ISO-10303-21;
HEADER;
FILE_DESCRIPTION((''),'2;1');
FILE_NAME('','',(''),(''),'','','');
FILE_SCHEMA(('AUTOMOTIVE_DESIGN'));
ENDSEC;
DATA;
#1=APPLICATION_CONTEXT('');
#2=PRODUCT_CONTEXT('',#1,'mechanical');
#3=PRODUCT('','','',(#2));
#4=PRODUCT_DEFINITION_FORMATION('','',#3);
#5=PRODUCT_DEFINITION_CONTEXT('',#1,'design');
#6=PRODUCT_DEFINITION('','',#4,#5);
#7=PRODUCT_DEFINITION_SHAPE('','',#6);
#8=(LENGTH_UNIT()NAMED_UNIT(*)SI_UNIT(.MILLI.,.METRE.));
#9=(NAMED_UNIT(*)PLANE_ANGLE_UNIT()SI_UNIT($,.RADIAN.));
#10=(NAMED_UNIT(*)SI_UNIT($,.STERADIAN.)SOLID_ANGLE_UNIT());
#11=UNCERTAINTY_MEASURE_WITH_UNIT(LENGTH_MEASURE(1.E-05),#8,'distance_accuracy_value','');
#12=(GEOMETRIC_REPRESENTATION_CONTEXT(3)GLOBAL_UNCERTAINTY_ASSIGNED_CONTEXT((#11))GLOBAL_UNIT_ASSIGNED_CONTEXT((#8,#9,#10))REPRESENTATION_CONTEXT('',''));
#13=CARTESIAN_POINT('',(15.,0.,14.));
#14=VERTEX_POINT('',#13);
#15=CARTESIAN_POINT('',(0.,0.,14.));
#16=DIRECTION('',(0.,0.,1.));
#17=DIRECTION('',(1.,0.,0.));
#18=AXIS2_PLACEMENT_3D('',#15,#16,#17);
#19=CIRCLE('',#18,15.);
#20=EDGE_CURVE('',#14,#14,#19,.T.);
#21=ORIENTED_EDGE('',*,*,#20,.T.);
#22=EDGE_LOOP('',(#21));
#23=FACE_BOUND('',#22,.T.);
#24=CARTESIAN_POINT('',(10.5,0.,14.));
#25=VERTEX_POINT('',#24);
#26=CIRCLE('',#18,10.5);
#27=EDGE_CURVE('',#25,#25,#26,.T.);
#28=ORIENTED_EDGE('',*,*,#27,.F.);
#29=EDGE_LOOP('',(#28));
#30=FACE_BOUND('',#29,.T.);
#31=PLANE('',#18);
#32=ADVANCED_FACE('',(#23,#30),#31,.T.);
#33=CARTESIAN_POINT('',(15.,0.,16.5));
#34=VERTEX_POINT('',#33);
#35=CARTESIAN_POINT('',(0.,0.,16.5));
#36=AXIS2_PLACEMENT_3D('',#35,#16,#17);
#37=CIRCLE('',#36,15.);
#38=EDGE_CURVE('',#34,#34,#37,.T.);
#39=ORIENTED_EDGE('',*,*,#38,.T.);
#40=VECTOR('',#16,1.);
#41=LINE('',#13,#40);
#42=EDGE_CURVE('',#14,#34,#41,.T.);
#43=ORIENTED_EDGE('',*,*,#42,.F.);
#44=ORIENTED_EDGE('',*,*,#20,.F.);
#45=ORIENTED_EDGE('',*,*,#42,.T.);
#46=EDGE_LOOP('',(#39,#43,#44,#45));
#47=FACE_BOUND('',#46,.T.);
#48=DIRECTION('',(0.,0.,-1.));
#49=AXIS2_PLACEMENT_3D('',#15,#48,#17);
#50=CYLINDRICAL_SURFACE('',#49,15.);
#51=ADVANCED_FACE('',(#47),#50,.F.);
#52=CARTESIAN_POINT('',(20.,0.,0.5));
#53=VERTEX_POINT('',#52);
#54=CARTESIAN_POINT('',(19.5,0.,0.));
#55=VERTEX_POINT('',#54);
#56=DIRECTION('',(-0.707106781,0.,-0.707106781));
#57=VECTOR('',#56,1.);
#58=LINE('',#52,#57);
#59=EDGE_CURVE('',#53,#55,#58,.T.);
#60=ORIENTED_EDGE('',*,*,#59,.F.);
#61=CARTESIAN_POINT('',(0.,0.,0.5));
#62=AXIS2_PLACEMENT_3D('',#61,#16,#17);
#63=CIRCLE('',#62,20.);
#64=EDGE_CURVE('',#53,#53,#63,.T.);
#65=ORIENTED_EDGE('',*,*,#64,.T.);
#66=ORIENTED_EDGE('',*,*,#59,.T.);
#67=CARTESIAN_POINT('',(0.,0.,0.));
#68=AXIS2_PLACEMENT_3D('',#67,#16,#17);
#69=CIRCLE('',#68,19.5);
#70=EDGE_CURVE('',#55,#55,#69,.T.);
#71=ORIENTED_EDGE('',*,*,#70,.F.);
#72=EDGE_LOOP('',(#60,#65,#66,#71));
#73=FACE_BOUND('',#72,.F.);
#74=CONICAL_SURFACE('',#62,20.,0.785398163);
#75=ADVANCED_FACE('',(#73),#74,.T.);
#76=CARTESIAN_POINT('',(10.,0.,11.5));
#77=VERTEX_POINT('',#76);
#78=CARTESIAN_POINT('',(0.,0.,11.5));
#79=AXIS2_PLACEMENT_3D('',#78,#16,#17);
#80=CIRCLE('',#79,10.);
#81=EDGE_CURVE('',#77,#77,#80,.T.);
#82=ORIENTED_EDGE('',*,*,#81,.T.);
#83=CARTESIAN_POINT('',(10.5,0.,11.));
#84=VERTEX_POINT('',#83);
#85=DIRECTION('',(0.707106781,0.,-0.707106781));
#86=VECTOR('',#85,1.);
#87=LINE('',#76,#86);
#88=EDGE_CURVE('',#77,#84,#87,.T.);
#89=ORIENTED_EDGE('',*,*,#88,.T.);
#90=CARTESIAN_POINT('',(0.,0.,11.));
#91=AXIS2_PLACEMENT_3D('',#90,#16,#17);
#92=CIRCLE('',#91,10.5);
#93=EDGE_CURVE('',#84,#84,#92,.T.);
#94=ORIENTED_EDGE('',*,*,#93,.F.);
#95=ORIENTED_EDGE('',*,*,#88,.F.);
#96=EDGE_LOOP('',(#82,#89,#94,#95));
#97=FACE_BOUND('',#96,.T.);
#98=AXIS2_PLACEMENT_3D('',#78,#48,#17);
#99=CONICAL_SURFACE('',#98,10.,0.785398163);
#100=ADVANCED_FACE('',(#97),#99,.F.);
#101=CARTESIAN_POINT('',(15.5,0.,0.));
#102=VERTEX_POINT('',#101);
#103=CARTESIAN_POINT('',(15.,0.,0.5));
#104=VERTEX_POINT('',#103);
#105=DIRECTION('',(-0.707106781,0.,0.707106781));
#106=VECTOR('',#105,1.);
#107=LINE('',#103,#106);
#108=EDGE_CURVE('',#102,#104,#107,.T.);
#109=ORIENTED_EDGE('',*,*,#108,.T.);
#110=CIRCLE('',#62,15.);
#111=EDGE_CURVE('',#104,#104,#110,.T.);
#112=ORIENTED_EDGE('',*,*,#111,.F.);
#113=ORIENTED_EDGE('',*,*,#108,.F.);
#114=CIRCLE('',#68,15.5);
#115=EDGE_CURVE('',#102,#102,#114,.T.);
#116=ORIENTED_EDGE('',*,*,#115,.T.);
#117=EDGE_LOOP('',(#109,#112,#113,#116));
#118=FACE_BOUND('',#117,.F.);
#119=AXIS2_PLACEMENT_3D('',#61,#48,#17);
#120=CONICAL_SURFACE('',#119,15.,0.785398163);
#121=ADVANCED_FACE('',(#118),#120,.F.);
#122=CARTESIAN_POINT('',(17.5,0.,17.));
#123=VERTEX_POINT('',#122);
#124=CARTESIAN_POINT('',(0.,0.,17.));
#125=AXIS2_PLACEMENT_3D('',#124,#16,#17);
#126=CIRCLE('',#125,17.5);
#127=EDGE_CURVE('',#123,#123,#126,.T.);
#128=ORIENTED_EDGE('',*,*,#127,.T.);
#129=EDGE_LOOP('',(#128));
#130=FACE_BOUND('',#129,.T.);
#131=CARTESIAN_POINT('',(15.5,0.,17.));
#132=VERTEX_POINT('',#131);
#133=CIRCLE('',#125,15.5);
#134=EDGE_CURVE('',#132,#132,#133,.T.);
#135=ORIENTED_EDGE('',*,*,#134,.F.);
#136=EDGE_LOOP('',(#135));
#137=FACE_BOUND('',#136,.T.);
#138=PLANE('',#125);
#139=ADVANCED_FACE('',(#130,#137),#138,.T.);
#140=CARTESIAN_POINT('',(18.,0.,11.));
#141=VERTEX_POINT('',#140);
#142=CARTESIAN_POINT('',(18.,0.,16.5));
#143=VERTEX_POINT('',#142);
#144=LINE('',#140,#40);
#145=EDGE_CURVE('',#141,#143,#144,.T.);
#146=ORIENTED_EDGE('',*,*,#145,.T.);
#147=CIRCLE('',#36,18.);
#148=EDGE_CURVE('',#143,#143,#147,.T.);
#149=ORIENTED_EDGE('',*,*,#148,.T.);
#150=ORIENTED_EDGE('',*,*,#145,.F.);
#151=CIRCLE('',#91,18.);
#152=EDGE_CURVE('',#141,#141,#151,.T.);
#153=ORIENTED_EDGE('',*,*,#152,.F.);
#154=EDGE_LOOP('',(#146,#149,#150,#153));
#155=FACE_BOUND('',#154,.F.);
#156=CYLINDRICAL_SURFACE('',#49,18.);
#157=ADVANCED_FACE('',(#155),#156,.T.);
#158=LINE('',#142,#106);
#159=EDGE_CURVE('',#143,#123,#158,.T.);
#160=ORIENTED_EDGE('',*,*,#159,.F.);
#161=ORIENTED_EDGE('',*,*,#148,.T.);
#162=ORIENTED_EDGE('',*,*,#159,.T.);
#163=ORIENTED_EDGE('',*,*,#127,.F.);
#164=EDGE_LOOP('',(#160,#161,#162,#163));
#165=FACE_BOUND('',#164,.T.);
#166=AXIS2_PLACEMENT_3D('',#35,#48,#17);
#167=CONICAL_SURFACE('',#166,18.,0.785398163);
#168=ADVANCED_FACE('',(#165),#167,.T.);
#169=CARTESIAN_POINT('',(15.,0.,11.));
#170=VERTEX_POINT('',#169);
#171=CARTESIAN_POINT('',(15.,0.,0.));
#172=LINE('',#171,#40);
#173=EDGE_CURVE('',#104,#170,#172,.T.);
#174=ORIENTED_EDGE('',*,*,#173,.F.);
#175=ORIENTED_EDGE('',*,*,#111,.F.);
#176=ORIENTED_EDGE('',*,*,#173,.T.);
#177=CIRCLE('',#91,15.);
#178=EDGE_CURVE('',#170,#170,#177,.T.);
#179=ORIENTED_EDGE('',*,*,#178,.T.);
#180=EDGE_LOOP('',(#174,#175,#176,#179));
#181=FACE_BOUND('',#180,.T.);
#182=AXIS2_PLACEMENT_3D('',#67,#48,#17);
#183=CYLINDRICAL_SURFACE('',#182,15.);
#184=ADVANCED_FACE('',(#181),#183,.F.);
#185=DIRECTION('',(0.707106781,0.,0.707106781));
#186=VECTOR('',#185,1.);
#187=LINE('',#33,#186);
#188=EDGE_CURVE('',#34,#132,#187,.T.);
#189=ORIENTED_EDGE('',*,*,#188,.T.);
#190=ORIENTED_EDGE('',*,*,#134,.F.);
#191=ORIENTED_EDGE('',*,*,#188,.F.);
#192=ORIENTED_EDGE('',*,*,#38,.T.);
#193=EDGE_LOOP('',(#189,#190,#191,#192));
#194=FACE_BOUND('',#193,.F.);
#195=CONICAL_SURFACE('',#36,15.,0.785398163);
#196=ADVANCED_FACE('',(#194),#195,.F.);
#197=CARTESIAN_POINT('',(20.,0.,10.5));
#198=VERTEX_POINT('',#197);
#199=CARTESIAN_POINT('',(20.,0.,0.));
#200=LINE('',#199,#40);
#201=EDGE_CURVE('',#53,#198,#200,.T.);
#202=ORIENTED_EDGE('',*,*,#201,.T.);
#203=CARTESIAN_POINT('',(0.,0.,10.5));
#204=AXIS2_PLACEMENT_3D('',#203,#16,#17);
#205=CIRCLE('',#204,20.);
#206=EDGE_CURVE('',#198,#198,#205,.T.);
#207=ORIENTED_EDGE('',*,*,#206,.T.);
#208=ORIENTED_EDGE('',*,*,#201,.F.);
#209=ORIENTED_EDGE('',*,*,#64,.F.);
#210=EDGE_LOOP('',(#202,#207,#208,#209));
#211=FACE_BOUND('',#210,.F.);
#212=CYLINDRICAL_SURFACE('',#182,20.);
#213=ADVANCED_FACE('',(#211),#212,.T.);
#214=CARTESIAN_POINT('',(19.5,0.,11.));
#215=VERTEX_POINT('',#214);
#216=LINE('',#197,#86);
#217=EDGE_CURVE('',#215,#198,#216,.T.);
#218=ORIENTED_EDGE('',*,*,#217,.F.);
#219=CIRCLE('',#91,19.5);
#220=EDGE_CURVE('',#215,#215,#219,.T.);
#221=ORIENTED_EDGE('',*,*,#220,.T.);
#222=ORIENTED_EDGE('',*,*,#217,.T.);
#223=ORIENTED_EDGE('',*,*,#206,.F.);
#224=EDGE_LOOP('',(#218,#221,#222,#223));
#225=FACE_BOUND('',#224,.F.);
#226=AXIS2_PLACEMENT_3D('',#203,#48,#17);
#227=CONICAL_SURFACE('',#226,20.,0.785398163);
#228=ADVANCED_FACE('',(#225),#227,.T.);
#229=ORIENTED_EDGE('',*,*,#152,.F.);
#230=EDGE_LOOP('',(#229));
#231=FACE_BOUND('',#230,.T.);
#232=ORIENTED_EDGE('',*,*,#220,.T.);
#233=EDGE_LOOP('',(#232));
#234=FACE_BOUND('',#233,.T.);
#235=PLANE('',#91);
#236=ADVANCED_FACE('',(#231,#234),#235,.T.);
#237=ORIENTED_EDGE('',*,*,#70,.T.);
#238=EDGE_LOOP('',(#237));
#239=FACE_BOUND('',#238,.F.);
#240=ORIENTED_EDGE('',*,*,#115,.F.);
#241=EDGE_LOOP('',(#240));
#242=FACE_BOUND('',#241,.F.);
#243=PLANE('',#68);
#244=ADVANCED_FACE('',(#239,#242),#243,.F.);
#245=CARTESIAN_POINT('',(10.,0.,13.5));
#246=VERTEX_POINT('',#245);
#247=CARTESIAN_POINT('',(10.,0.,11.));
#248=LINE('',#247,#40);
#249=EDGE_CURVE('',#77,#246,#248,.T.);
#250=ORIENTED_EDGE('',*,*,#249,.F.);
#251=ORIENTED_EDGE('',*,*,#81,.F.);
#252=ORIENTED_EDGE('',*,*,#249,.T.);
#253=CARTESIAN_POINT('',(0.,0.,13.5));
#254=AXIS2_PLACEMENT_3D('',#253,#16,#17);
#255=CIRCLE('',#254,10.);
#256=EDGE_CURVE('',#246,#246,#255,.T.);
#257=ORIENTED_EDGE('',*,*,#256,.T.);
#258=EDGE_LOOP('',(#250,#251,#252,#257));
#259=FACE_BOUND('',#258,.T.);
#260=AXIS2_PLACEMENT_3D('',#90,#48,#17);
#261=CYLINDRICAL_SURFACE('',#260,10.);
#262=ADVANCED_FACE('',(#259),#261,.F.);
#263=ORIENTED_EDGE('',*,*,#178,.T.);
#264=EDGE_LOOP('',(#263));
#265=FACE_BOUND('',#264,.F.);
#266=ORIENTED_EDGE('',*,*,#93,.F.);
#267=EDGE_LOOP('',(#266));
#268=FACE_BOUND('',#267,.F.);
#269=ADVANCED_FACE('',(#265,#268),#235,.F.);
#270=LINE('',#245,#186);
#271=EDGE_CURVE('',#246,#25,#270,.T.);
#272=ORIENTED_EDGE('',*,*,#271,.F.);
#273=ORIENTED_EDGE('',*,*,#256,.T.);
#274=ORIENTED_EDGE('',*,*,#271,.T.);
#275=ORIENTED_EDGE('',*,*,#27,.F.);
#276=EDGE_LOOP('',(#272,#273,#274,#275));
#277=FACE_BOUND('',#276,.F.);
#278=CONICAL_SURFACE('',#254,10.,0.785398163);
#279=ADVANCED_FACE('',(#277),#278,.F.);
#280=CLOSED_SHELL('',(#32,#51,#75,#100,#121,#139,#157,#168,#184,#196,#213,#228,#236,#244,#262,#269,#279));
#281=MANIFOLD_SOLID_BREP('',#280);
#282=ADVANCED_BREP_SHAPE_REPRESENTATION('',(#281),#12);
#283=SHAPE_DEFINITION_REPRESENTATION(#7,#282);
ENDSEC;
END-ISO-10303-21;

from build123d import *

# Parameters (mm, degrees)
F0_R     = 20
F0_R_2   = 15
F1_DEPTH = 11
F2_R     = 18
F2_R_2   = 15
F2_R_3   = 10
F3_DEPTH = 3
F4_R     = 18
F4_R_2   = 15
F5_DEPTH = 3
F6_SIZE  = 0.5
F7_SIZE  = 0.5


with BuildPart() as f1:
    # F0 (on Top) → F1 (new body)
    with BuildSketch(Plane.XY):
        Circle(F0_R)
        Circle(F0_R_2, mode=Mode.SUBTRACT)
    extrude(amount=F1_DEPTH)

    # F2 (on face) → F3 (join)
    with BuildSketch(Plane.XY.offset(11)):
        Circle(F2_R)
        Circle(F2_R_2, mode=Mode.SUBTRACT)
        Circle(F2_R_2)
        Circle(F2_R_3, mode=Mode.SUBTRACT)
    extrude(amount=F3_DEPTH)

    # F4 (on face) → F5 (join)
    with BuildSketch(Plane.XY.offset(14)):
        Circle(F4_R)
        Circle(F4_R_2, mode=Mode.SUBTRACT)
    extrude(amount=F5_DEPTH)

    # F6
    f6_edges = [f1.edges().sort_by_distance(p)[0] for p in [
        (-20, 0, 0),
        (-15, 0, 0),
        (-20, 0, 11),
        (-18, 0, 17),
        (-15, 0, 17),
        (-10, 0, 14),
    ]]
    chamfer(f6_edges, length=F6_SIZE)

    # F7
    f7_edges = [f1.edges().sort_by_distance(p)[0] for p in [
        (-10, 0, 11),
    ]]
    chamfer(f7_edges, length=F7_SIZE)


solid = f1.part
